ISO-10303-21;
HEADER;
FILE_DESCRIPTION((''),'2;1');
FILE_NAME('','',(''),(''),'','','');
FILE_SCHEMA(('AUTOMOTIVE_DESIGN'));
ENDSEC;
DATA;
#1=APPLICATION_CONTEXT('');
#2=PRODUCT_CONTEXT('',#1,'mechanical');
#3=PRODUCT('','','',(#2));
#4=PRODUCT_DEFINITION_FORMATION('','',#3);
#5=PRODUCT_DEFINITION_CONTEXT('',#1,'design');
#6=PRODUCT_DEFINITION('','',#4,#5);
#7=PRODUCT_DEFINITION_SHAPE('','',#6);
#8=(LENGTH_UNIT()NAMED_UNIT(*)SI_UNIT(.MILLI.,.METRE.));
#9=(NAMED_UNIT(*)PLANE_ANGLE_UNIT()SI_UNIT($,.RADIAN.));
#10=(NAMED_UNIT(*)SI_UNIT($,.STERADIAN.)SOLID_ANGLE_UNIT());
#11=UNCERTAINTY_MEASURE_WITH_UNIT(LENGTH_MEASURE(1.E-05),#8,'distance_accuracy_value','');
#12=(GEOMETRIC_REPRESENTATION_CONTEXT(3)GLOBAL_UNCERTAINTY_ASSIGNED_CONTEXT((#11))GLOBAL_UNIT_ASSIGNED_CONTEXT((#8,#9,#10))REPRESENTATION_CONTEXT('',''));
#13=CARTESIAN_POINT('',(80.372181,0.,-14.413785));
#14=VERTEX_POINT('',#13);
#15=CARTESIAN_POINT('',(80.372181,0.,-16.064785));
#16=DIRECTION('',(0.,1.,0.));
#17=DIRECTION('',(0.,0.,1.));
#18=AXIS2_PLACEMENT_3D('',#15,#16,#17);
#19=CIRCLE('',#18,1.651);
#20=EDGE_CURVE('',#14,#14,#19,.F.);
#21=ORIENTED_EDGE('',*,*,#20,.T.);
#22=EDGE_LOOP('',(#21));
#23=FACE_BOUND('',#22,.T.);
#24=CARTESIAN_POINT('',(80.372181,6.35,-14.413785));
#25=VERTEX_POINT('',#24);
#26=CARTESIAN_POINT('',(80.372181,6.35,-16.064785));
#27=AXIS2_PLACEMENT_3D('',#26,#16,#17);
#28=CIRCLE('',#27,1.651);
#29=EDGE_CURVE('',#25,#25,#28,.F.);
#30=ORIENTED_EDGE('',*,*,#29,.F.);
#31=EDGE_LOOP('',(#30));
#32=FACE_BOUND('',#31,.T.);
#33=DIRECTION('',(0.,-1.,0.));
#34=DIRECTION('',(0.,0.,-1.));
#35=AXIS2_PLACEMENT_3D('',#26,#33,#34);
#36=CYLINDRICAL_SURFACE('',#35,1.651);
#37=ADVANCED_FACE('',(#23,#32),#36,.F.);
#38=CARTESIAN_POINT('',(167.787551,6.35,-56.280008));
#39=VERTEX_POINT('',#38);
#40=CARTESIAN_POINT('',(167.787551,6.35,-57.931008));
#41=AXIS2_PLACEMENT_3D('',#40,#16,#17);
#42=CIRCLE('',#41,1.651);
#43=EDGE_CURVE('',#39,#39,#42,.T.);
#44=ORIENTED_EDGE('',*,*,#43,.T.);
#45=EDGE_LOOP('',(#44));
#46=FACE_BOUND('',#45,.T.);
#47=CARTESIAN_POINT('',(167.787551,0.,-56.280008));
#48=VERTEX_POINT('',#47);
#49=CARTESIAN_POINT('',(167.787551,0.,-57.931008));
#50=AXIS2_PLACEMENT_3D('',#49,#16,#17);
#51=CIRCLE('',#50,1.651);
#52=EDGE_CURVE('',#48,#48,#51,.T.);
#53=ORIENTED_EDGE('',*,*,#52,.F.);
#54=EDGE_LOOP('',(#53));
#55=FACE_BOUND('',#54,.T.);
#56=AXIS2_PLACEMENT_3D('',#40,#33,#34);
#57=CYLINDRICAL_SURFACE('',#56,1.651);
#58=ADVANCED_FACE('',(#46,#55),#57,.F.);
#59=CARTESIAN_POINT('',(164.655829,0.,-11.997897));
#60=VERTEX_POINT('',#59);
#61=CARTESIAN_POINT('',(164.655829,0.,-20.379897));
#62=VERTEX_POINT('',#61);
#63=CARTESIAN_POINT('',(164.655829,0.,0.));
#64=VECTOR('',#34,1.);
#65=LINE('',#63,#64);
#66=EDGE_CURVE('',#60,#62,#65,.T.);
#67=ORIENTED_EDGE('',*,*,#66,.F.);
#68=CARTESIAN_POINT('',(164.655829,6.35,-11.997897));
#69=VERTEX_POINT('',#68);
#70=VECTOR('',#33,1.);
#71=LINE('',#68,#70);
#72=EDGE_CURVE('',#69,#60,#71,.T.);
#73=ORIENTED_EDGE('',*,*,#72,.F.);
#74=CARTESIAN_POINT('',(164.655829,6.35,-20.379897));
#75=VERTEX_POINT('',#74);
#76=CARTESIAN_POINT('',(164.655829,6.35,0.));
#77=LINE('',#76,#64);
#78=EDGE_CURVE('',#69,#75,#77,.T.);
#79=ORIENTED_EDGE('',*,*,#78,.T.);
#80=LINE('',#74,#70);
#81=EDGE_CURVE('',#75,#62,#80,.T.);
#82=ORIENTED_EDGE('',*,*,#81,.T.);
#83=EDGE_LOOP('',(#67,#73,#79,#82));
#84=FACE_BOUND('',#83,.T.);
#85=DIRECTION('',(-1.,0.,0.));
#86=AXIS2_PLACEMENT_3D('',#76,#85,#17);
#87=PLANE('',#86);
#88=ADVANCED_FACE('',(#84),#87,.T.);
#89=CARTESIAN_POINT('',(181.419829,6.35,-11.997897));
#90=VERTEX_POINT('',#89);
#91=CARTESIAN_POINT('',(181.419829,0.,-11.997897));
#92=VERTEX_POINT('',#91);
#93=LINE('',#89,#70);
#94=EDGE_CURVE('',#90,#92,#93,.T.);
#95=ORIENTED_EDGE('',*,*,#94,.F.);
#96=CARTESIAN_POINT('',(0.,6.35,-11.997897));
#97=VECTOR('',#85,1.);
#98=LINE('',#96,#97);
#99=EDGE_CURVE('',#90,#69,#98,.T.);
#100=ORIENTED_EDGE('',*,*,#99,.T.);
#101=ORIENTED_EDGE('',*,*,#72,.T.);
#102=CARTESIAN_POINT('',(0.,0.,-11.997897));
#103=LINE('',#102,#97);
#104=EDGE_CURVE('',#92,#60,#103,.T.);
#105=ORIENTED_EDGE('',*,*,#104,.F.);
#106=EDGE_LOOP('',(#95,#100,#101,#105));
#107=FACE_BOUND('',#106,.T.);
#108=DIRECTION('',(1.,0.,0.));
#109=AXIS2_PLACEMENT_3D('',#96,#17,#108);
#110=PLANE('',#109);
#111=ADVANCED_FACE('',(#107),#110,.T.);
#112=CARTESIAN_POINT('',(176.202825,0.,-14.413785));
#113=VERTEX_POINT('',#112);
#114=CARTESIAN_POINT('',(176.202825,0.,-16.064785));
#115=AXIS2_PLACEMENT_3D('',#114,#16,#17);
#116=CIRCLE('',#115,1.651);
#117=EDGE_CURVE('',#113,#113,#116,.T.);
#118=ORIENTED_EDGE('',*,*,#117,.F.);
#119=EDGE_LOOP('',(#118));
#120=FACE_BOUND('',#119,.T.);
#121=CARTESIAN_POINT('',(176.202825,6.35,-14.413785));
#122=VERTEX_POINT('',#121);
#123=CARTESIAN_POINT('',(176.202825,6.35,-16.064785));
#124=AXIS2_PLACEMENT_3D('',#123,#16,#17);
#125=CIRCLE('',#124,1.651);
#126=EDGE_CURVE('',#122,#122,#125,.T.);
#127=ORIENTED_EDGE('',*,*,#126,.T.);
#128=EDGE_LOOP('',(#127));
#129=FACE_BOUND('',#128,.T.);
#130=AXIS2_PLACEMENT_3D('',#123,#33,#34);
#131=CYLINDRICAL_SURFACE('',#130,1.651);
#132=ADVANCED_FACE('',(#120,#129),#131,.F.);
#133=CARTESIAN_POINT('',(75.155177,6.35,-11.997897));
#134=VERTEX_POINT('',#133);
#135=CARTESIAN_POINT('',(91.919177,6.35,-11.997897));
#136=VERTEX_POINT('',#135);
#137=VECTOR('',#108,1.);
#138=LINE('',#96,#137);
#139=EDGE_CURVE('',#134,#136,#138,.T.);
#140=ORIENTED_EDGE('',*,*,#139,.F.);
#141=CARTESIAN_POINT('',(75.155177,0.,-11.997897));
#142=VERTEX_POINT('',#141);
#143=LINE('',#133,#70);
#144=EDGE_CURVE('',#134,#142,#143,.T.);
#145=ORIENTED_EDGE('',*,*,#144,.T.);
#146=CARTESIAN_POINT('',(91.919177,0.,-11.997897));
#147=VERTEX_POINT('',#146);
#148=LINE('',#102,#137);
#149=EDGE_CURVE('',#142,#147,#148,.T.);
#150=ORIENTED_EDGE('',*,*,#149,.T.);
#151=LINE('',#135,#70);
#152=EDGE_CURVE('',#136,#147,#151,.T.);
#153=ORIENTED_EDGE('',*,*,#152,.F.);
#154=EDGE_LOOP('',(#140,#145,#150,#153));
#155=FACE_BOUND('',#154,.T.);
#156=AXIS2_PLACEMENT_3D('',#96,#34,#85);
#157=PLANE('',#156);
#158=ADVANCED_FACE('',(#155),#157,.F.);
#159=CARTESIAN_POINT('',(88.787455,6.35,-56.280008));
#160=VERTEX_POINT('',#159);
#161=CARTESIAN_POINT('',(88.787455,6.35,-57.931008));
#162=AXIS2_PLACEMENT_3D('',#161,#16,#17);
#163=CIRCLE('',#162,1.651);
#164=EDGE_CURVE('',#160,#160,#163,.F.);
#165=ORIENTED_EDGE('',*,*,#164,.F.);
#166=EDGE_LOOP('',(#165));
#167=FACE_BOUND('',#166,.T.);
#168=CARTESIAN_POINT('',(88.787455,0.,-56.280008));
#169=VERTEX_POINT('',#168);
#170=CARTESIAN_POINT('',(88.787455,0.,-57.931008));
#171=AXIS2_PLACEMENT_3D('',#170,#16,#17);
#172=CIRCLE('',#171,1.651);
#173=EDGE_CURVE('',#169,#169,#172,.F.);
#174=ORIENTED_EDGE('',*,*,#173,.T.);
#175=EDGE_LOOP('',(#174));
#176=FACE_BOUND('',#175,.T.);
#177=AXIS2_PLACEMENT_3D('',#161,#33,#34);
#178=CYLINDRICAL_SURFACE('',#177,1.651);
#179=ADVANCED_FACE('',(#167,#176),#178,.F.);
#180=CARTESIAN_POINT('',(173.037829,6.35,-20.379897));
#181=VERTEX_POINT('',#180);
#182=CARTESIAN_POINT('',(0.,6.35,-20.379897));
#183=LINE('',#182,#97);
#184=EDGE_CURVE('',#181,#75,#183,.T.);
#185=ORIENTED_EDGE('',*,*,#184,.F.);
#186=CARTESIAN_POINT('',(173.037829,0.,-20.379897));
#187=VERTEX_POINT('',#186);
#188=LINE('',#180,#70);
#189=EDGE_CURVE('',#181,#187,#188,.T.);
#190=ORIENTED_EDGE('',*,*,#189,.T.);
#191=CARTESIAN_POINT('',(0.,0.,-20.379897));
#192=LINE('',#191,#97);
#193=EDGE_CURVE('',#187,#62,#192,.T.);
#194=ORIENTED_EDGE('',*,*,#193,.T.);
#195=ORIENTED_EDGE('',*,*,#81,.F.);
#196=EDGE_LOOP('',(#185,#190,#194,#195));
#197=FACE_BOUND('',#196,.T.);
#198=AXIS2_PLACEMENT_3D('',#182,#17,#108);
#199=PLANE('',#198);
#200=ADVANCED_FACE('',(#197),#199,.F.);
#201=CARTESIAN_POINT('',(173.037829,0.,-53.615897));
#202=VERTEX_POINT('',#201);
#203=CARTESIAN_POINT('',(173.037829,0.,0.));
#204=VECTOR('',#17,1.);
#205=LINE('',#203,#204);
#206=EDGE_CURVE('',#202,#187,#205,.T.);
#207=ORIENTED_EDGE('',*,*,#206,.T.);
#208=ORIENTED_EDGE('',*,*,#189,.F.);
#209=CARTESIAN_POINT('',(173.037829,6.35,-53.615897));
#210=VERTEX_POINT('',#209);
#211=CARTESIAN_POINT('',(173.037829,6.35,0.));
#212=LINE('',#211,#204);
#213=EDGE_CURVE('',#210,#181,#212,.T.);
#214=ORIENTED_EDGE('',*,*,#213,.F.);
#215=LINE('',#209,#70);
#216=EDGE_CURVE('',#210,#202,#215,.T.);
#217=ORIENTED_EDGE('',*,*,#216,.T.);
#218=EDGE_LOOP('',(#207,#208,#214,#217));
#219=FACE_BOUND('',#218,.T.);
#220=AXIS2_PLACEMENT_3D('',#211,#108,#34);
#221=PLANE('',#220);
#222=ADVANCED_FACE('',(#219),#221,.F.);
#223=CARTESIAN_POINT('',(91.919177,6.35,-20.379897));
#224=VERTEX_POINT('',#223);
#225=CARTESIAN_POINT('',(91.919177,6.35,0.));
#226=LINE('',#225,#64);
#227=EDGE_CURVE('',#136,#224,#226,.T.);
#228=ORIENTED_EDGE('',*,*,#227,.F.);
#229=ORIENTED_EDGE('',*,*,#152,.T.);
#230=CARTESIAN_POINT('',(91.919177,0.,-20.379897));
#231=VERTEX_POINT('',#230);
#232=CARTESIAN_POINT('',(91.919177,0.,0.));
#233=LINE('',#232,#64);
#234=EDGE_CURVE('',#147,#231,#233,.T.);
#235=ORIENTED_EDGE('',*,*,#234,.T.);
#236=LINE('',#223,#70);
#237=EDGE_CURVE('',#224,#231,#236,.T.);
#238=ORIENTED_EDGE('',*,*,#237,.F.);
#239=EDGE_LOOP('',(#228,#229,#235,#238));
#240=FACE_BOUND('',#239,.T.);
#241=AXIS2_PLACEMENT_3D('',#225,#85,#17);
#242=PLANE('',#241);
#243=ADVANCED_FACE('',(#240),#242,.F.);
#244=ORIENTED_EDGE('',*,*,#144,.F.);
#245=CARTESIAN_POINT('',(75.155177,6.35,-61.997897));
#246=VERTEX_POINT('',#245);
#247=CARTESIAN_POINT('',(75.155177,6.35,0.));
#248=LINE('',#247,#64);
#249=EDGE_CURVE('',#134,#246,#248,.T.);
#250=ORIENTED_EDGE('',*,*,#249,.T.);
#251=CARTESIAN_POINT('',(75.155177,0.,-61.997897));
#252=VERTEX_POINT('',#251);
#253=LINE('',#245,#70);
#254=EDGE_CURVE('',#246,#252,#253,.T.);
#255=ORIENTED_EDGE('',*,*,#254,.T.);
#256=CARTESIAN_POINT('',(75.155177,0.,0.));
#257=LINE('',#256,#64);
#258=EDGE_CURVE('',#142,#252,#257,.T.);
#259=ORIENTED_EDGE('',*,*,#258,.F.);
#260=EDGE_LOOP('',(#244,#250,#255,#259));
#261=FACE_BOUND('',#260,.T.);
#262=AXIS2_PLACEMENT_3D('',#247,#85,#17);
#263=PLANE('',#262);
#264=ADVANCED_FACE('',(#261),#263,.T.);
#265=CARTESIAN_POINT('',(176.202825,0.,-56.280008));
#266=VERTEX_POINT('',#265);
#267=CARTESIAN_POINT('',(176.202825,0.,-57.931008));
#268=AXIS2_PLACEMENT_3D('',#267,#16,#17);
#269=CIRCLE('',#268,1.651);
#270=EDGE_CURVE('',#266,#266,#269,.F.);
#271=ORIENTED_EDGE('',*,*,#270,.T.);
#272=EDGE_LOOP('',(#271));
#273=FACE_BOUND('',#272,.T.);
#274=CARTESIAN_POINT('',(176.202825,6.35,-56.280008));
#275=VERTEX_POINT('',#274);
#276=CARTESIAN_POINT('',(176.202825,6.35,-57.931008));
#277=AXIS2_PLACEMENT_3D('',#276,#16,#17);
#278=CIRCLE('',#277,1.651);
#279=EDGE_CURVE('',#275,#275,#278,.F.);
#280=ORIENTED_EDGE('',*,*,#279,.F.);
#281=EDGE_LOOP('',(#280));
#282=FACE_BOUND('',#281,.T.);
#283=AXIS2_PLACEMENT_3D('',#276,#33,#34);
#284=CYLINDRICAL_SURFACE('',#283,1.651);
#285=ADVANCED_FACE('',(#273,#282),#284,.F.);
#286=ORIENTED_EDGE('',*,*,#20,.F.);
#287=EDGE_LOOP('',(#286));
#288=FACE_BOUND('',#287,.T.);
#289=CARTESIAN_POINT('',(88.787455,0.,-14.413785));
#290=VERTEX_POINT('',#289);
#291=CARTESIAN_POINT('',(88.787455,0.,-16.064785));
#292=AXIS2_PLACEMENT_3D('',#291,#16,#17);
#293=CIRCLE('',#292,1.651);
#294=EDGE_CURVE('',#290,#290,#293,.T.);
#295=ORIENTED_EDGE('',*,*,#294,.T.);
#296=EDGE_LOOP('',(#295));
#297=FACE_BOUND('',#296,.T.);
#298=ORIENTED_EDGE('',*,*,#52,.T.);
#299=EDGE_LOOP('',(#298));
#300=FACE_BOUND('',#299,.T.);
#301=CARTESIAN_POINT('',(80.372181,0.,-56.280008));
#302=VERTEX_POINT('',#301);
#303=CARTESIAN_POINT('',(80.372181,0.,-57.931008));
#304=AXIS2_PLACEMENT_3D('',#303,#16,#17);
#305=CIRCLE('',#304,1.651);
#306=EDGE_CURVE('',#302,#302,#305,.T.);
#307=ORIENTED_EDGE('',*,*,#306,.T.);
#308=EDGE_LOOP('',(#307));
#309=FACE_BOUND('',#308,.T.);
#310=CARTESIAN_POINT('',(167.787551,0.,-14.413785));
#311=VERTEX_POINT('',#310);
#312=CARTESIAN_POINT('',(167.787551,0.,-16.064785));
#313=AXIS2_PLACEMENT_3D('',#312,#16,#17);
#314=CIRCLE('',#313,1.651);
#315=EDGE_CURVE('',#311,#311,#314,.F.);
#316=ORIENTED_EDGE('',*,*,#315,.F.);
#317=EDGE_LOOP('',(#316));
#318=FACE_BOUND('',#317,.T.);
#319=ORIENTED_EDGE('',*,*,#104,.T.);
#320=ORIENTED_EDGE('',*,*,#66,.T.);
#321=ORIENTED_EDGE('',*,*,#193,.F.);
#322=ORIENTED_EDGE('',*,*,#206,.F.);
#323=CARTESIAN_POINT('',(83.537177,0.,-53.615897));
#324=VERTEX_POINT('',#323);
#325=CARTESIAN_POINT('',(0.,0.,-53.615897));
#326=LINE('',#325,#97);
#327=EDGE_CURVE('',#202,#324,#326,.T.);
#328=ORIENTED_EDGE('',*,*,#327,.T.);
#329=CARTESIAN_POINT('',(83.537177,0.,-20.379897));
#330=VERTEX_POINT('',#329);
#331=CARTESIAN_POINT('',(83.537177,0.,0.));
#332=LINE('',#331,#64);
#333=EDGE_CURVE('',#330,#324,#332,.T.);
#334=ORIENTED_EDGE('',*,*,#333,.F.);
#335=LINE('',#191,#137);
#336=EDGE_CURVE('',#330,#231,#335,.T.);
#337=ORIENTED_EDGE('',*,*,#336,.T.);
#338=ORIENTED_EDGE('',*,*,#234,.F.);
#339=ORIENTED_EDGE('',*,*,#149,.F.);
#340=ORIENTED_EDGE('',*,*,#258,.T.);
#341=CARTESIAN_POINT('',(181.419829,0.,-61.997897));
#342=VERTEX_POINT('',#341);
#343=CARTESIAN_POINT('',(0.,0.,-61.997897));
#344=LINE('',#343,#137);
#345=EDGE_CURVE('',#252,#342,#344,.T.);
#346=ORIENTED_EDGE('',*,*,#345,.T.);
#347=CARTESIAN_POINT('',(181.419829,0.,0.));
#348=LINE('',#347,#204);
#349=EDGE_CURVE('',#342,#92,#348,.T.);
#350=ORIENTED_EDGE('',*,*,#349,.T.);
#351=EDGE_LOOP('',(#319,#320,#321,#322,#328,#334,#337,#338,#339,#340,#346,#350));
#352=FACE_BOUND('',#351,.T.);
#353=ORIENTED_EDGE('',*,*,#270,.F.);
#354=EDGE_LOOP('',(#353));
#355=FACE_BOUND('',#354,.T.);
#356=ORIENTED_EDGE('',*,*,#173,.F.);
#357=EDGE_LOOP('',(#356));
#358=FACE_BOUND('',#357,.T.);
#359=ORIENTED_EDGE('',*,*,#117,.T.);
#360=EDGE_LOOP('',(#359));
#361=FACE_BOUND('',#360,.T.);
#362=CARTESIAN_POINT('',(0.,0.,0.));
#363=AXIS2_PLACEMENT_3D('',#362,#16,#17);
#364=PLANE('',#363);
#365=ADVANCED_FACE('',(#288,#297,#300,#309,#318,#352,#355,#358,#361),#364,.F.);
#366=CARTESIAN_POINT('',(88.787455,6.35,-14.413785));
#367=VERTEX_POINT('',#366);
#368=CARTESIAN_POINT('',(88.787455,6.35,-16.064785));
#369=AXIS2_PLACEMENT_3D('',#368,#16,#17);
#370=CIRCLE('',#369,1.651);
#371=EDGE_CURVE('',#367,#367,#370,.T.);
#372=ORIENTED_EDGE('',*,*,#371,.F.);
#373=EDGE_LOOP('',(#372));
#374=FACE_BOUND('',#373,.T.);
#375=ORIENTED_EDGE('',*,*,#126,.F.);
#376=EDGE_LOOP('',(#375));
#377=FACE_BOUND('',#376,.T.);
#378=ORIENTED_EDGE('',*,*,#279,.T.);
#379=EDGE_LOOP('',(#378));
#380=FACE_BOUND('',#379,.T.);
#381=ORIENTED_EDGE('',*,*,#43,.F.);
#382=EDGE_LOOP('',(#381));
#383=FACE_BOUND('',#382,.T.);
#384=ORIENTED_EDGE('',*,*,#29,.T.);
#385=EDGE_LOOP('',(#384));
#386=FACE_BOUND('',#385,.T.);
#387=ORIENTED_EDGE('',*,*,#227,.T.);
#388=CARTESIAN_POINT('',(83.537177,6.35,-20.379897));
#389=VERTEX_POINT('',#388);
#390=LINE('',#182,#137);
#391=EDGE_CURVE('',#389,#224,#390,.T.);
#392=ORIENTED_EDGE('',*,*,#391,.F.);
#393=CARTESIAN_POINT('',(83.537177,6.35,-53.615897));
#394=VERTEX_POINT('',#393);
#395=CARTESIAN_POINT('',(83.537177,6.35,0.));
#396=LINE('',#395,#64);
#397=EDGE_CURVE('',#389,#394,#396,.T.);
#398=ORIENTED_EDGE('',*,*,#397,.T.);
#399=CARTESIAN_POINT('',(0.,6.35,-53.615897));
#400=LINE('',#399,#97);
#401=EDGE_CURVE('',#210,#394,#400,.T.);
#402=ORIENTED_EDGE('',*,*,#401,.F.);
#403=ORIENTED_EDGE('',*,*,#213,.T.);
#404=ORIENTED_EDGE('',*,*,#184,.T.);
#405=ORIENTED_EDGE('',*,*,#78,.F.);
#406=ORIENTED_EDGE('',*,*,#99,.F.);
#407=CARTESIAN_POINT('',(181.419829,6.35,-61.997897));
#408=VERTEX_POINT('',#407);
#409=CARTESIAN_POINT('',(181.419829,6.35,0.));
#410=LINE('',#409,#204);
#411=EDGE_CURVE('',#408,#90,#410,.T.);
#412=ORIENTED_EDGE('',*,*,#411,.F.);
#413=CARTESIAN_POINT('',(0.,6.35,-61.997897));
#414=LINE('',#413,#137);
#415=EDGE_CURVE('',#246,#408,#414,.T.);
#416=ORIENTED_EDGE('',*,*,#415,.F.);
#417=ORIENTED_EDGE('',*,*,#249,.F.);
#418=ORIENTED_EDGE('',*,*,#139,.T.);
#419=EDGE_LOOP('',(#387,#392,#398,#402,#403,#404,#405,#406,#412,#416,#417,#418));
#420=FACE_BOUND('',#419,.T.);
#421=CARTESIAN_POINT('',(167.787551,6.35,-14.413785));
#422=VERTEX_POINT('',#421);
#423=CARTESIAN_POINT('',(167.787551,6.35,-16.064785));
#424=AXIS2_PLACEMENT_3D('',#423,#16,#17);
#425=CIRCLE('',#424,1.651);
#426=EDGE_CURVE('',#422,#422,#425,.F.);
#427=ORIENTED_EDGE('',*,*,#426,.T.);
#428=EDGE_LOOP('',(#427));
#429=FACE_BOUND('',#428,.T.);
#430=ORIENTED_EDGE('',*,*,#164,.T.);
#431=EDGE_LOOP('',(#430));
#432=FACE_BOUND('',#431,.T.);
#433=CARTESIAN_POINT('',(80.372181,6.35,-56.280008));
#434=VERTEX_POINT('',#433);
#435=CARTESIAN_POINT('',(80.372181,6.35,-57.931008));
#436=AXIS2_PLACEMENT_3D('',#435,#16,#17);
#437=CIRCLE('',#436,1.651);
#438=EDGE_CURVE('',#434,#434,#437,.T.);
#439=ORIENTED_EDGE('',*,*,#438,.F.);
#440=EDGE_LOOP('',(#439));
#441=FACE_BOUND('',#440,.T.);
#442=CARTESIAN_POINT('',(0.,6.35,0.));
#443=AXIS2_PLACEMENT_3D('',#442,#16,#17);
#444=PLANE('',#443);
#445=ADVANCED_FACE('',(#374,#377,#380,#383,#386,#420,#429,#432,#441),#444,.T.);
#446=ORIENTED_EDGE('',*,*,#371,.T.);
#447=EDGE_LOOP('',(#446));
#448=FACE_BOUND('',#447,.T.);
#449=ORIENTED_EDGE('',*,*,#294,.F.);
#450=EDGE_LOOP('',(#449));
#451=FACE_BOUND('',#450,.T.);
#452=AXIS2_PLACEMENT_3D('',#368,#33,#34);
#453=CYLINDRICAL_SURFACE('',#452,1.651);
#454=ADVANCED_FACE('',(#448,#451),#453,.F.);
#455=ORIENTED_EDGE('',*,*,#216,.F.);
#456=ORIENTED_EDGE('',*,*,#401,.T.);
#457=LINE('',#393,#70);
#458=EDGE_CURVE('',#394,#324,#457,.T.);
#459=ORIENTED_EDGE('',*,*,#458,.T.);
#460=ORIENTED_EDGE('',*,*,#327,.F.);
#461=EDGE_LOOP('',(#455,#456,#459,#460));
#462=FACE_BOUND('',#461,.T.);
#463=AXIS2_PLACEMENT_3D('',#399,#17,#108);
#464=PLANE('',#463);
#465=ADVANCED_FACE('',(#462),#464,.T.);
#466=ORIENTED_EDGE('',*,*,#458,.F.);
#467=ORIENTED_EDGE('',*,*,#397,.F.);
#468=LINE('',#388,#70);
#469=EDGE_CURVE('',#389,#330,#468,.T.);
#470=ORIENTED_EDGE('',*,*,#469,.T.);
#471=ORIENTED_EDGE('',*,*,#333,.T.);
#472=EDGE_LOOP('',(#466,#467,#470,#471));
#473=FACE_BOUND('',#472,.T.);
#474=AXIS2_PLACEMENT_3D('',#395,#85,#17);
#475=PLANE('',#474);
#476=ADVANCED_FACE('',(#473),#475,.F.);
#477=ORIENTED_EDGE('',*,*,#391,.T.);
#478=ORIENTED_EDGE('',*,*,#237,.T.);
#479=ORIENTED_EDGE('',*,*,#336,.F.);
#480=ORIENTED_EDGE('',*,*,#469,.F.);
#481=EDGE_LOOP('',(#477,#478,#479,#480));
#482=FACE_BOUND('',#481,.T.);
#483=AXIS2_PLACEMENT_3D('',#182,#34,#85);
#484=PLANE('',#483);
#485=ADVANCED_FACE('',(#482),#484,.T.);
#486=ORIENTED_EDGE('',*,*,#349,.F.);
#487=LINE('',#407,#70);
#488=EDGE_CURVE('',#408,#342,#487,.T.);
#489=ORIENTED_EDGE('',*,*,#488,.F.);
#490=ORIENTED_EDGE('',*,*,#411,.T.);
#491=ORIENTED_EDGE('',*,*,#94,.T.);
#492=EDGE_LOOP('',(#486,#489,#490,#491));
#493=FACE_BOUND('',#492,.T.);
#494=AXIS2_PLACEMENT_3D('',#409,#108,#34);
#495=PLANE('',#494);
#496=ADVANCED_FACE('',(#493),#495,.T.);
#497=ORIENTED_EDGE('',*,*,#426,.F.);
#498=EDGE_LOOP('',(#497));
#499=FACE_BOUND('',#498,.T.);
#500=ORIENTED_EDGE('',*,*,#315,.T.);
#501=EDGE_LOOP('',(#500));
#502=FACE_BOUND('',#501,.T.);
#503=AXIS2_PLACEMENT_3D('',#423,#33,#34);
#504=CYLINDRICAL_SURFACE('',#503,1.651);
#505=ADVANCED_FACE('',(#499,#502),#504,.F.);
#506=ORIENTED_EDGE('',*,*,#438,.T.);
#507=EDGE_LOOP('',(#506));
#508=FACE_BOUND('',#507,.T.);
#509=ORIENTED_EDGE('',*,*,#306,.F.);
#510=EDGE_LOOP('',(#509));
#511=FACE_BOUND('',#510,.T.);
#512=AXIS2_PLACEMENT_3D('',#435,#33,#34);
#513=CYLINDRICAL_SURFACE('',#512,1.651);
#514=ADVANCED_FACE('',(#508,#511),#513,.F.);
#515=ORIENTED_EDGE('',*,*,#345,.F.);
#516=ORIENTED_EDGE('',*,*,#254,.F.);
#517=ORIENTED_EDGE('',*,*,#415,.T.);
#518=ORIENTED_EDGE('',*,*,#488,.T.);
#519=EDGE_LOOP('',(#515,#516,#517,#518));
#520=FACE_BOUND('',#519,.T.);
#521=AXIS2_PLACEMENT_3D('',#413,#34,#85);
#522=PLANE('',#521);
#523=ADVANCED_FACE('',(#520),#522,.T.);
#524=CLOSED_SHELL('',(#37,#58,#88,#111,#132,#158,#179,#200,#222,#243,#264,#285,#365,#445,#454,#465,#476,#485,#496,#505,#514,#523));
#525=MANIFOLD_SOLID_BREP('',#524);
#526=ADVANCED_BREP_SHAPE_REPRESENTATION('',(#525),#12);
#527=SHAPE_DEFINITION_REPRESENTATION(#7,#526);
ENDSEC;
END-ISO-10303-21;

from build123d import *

# Parameters (mm, degrees)
SKETCH1_R           = 1.651
BOSS_EXTRUDE1_DEPTH = 6.35


with BuildPart() as part:
    # Sketch1 → Boss-Extrude1 (new body)
    with BuildSketch(Plane(origin=(0, 0, 0), x_dir=(1, 0, 0), z_dir=(0, 1, 0))):
        Polygon((75.155177047, 61.997896552), (75.155177047, 11.997896552), (91.919177047, 11.997896552), (91.919177047, 20.379896552), (83.537177047, 20.379896552), (83.537177047, 53.615896552), (173.037829354, 53.615896552), (173.037829354, 20.379896552), (164.655829354, 20.379896552), (164.655829354, 11.997896552), (181.419829354, 11.997896552), (181.419829354, 61.997896552), align=None)
        with Locations((80.3721812, 16.064784874)):
            Circle(SKETCH1_R, mode=Mode.SUBTRACT)
        with Locations((80.3721812, 57.93100823)):
            Circle(SKETCH1_R, mode=Mode.SUBTRACT)
        with Locations((88.7874552, 16.064784874)):
            Circle(SKETCH1_R, mode=Mode.SUBTRACT)
        with Locations((167.7875512, 57.93100823)):
            Circle(SKETCH1_R, mode=Mode.SUBTRACT)
        with Locations((88.7874552, 57.93100823)):
            Circle(SKETCH1_R, mode=Mode.SUBTRACT)
        with Locations((176.2028252, 57.93100823)):
            Circle(SKETCH1_R, mode=Mode.SUBTRACT)
        with Locations((176.2028252, 16.064784874)):
            Circle(SKETCH1_R, mode=Mode.SUBTRACT)
        with Locations((167.7875512, 16.064784874)):
            Circle(SKETCH1_R, mode=Mode.SUBTRACT)
    extrude(amount=BOSS_EXTRUDE1_DEPTH)


solid = part.part
